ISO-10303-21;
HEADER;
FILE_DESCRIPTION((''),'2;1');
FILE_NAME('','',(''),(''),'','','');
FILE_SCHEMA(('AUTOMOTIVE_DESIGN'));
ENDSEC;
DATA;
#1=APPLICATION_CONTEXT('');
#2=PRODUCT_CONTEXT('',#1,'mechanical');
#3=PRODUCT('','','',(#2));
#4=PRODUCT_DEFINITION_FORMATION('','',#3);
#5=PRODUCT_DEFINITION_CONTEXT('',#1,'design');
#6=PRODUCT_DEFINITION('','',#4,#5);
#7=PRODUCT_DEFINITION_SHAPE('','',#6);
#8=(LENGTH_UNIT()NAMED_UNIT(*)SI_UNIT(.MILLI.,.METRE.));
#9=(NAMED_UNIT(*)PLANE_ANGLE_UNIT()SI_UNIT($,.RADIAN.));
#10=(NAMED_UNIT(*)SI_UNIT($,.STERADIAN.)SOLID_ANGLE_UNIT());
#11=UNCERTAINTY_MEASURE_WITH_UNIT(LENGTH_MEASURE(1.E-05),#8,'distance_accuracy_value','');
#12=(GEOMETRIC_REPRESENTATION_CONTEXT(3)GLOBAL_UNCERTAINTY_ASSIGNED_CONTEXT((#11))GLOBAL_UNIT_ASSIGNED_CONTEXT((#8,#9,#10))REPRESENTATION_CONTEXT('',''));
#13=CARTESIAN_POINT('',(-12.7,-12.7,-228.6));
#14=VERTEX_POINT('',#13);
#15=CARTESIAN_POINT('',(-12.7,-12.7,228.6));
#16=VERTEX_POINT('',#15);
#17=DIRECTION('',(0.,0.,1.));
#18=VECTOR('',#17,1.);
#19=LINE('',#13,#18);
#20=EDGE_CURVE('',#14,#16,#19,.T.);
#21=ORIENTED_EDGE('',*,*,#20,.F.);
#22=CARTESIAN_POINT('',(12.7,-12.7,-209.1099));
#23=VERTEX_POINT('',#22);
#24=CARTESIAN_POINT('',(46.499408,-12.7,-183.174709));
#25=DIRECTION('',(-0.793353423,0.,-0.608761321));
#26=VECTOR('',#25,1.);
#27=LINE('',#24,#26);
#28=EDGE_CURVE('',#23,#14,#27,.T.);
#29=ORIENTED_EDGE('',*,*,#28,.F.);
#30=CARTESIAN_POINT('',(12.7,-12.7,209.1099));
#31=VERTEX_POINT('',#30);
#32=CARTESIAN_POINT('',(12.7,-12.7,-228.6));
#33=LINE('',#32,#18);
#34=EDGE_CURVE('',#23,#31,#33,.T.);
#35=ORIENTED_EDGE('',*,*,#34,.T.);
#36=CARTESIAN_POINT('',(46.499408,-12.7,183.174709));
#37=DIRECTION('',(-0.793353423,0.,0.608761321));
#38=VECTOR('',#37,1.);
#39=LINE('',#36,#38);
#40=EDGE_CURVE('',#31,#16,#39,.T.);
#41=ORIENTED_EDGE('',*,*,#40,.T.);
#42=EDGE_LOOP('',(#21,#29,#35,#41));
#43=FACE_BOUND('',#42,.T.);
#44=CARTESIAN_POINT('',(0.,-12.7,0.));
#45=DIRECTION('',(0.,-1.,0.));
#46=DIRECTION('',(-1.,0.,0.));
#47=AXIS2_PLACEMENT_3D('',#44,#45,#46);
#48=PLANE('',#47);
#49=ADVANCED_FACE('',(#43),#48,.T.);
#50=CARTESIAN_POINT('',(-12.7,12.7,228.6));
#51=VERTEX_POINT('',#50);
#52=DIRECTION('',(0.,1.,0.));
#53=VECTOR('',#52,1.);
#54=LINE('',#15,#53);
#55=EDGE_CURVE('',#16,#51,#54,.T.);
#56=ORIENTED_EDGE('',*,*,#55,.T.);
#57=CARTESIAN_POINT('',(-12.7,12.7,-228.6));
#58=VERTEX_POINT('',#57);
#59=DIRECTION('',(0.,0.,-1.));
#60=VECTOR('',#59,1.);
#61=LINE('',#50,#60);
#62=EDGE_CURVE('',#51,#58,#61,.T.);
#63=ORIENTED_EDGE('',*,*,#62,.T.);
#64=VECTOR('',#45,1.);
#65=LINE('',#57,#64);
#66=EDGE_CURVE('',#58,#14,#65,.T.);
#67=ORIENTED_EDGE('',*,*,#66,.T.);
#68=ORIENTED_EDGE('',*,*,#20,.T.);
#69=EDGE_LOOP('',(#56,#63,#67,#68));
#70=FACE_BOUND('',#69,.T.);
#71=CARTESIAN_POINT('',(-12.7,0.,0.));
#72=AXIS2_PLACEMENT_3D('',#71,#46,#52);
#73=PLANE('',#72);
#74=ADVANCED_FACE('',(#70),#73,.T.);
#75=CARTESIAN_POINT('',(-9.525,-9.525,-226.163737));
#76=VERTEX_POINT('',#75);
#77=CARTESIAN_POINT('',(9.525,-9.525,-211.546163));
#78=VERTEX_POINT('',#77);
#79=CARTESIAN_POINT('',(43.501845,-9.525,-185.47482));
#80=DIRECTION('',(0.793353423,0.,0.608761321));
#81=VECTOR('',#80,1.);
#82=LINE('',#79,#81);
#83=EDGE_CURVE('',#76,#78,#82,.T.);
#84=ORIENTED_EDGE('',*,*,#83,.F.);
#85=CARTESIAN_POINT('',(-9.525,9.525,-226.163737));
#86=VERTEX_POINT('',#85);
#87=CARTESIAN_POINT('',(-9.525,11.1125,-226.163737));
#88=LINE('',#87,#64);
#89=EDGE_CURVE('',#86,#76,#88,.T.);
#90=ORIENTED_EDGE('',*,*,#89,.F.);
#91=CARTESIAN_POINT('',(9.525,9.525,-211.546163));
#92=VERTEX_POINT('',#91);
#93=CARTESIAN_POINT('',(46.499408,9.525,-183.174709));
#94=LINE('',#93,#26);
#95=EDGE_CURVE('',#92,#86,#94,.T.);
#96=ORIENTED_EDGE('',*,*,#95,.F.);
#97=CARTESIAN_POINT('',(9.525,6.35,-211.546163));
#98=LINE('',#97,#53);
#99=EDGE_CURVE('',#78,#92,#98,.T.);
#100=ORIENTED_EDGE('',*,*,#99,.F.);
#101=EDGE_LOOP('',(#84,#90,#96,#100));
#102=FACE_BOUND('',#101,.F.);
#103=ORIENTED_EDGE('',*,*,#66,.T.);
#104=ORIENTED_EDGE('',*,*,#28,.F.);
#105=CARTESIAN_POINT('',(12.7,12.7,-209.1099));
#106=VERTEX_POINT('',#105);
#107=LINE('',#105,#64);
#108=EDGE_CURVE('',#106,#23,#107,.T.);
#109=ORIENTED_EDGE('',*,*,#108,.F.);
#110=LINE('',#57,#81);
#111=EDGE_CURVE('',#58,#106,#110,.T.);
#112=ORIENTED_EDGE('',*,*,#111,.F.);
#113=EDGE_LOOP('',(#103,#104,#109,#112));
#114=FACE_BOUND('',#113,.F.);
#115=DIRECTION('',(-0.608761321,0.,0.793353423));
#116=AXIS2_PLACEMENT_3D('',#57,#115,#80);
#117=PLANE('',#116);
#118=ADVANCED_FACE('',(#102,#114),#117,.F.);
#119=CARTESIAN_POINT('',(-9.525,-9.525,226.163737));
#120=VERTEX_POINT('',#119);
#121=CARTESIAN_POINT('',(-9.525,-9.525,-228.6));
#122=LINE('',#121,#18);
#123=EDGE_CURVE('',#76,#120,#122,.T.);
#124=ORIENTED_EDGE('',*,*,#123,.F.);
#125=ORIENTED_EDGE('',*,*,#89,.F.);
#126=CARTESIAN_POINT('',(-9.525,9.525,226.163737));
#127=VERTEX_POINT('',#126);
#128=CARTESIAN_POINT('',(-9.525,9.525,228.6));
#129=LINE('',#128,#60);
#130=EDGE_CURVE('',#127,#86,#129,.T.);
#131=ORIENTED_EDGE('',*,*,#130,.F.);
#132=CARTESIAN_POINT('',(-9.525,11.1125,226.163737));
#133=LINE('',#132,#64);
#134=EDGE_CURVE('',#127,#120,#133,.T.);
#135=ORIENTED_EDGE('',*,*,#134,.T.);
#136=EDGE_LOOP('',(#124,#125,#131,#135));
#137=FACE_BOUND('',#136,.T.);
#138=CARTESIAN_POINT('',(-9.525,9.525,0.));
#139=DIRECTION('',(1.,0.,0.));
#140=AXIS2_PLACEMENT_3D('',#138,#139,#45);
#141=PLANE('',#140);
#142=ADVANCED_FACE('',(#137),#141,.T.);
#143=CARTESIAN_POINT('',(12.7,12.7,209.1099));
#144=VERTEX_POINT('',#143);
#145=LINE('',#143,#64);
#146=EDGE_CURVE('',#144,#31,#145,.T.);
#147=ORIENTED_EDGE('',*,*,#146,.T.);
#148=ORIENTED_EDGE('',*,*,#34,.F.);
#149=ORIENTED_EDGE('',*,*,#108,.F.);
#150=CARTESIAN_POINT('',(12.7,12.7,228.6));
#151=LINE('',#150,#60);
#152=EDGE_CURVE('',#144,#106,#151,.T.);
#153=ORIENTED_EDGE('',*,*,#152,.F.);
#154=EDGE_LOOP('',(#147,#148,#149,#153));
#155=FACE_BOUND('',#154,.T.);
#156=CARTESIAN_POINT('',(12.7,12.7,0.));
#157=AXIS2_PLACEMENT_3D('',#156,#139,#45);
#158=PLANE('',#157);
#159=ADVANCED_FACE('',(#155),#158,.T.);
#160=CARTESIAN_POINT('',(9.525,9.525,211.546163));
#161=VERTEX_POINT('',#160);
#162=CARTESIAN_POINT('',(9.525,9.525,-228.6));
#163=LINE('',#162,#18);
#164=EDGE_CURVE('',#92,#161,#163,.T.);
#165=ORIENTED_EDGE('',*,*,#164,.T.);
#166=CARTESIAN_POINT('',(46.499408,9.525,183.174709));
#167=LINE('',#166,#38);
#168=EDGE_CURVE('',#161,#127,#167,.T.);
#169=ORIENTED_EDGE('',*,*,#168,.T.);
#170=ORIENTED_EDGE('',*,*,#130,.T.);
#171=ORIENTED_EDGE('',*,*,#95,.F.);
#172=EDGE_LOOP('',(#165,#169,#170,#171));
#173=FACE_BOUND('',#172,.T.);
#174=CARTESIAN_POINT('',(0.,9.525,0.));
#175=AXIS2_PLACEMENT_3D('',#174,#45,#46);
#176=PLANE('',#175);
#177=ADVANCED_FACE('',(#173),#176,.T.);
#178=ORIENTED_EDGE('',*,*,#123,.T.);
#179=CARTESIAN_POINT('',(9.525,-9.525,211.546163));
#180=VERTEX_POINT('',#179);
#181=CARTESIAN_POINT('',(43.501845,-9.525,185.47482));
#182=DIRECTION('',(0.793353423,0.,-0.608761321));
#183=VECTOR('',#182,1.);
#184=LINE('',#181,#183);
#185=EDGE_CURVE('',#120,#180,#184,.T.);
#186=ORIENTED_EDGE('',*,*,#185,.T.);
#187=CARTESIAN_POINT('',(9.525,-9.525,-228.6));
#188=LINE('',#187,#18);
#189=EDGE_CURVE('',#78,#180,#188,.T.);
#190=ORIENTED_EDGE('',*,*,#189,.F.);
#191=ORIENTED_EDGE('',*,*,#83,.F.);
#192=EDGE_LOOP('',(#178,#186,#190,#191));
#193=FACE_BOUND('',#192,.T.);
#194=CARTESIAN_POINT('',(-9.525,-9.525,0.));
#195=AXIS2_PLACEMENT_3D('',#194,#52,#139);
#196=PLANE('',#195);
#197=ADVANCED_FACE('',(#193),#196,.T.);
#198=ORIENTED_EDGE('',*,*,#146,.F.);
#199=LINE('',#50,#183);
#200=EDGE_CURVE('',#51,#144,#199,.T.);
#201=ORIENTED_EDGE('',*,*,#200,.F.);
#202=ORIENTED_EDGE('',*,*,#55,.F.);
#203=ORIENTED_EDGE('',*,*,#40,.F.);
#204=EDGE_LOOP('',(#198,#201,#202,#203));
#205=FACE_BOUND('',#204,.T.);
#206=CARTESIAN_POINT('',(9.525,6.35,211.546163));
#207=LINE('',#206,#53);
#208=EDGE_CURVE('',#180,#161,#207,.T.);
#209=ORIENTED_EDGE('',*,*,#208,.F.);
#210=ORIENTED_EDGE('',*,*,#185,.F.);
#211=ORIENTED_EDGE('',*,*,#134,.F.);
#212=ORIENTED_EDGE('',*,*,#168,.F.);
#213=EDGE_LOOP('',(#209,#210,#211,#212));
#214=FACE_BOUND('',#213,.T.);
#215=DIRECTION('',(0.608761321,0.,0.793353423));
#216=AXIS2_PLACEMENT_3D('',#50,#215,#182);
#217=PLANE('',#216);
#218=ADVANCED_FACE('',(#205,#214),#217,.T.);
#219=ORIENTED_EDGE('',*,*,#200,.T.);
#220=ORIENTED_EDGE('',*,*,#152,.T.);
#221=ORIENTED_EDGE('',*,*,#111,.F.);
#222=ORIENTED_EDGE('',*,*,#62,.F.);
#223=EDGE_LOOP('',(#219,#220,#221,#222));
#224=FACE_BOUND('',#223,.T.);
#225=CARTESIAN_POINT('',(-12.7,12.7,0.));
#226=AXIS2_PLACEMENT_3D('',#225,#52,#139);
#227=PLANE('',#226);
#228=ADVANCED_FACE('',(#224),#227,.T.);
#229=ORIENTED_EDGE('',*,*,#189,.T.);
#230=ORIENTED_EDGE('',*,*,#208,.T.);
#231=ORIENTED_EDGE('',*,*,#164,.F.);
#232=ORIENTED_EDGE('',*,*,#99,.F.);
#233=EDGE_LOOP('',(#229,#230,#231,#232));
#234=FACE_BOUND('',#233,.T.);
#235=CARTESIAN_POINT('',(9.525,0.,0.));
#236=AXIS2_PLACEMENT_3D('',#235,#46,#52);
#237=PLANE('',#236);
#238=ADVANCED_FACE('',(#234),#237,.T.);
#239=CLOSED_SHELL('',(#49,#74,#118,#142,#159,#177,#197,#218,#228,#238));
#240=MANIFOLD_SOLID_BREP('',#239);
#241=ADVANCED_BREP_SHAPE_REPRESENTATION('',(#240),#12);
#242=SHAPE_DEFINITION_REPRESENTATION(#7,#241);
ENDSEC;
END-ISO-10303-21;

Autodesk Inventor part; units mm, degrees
ref_plane "YZ Plane" through (0, 0, 0) normal (1, 0, 0) x (0, 1, 0)
ref_plane "XZ Plane" through (0, 0, 0) normal (0, 1, 0) x (-1, 0, 0)
ref_plane "XY Plane" through (0, 0, 0) normal (0, 0, 1) x (1, 0, 0)
sketch "Sketch1" plane through (0, 0, 0) normal (0, 0, 1) x (1, 0, 0)
  line L0 (-17.78, 0) -> (17.78, 0) projected
  line L1 (0, -17.78) -> (0, 17.78) projected
  line L2 (-12.7, 12.7) -> (12.7, 12.7)
  line L3 (12.7, 12.7) -> (12.7, -12.7)
  line L4 (12.7, -12.7) -> (-12.7, -12.7)
  line L5 (-12.7, -12.7) -> (-12.7, 12.7)
  line L6 (9.525, 9.525) -> (-9.525, 9.525)
  line L7 (-9.525, 9.525) -> (-9.525, -9.525)
  line L8 (-9.525, -9.525) -> (9.525, -9.525)
  line L9 (9.525, -9.525) -> (9.525, 9.525)
  point P0 (0, 0)
  point P1 (-12.7, 0)
  point P2 (0, 12.7)
  dimension "d0" = 25.4
  dimension "d1" = 3.175
extrude "Extrusion1" add sketch "Sketch1" along normal mid plane 457.2 contours L5 L2 L1 L6 L7 L0 | L0 L7 L8 L1 L4 L5 | L1 L8 L9 L0 L3 L4 | L2 L3 L0 L9 L6 L1
sketch "Sketch3" plane through (-12.7, 12.7, 228.6) normal (0, 1, 0) x (1, 0, 0)
  line L0 (0, 0) -> (25.4, 0) projected
  line L1 (25.4, 0) -> (25.4, 457.2) projected
  line L2 (0, 457.2) -> (0, 0) projected
  line L3 (0, 0) -> (25.4, 19.4901)
  line L4 (0, 228.6) -> (25.4, 228.6) construction
  line L5 (0, 0) -> (25.4, 0)
  line L6 (25.4, 0) -> (25.4, 19.4901)
  line L7 (0, 457.2) -> (25.4, 437.7099)
  line L8 (0, 457.2) -> (25.4, 457.2)
  line L9 (25.4, 457.2) -> (25.4, 437.7099)
  point P0 (12.7, 228.6)
  dimension "d7" = 37.5
extrude "Extrusion3" cut sketch "Sketch3" against normal through all contours L3 L1 L0 | L8 L1 L7
properties part number "tubing_template_0.125" material "Aluminum-6061"
